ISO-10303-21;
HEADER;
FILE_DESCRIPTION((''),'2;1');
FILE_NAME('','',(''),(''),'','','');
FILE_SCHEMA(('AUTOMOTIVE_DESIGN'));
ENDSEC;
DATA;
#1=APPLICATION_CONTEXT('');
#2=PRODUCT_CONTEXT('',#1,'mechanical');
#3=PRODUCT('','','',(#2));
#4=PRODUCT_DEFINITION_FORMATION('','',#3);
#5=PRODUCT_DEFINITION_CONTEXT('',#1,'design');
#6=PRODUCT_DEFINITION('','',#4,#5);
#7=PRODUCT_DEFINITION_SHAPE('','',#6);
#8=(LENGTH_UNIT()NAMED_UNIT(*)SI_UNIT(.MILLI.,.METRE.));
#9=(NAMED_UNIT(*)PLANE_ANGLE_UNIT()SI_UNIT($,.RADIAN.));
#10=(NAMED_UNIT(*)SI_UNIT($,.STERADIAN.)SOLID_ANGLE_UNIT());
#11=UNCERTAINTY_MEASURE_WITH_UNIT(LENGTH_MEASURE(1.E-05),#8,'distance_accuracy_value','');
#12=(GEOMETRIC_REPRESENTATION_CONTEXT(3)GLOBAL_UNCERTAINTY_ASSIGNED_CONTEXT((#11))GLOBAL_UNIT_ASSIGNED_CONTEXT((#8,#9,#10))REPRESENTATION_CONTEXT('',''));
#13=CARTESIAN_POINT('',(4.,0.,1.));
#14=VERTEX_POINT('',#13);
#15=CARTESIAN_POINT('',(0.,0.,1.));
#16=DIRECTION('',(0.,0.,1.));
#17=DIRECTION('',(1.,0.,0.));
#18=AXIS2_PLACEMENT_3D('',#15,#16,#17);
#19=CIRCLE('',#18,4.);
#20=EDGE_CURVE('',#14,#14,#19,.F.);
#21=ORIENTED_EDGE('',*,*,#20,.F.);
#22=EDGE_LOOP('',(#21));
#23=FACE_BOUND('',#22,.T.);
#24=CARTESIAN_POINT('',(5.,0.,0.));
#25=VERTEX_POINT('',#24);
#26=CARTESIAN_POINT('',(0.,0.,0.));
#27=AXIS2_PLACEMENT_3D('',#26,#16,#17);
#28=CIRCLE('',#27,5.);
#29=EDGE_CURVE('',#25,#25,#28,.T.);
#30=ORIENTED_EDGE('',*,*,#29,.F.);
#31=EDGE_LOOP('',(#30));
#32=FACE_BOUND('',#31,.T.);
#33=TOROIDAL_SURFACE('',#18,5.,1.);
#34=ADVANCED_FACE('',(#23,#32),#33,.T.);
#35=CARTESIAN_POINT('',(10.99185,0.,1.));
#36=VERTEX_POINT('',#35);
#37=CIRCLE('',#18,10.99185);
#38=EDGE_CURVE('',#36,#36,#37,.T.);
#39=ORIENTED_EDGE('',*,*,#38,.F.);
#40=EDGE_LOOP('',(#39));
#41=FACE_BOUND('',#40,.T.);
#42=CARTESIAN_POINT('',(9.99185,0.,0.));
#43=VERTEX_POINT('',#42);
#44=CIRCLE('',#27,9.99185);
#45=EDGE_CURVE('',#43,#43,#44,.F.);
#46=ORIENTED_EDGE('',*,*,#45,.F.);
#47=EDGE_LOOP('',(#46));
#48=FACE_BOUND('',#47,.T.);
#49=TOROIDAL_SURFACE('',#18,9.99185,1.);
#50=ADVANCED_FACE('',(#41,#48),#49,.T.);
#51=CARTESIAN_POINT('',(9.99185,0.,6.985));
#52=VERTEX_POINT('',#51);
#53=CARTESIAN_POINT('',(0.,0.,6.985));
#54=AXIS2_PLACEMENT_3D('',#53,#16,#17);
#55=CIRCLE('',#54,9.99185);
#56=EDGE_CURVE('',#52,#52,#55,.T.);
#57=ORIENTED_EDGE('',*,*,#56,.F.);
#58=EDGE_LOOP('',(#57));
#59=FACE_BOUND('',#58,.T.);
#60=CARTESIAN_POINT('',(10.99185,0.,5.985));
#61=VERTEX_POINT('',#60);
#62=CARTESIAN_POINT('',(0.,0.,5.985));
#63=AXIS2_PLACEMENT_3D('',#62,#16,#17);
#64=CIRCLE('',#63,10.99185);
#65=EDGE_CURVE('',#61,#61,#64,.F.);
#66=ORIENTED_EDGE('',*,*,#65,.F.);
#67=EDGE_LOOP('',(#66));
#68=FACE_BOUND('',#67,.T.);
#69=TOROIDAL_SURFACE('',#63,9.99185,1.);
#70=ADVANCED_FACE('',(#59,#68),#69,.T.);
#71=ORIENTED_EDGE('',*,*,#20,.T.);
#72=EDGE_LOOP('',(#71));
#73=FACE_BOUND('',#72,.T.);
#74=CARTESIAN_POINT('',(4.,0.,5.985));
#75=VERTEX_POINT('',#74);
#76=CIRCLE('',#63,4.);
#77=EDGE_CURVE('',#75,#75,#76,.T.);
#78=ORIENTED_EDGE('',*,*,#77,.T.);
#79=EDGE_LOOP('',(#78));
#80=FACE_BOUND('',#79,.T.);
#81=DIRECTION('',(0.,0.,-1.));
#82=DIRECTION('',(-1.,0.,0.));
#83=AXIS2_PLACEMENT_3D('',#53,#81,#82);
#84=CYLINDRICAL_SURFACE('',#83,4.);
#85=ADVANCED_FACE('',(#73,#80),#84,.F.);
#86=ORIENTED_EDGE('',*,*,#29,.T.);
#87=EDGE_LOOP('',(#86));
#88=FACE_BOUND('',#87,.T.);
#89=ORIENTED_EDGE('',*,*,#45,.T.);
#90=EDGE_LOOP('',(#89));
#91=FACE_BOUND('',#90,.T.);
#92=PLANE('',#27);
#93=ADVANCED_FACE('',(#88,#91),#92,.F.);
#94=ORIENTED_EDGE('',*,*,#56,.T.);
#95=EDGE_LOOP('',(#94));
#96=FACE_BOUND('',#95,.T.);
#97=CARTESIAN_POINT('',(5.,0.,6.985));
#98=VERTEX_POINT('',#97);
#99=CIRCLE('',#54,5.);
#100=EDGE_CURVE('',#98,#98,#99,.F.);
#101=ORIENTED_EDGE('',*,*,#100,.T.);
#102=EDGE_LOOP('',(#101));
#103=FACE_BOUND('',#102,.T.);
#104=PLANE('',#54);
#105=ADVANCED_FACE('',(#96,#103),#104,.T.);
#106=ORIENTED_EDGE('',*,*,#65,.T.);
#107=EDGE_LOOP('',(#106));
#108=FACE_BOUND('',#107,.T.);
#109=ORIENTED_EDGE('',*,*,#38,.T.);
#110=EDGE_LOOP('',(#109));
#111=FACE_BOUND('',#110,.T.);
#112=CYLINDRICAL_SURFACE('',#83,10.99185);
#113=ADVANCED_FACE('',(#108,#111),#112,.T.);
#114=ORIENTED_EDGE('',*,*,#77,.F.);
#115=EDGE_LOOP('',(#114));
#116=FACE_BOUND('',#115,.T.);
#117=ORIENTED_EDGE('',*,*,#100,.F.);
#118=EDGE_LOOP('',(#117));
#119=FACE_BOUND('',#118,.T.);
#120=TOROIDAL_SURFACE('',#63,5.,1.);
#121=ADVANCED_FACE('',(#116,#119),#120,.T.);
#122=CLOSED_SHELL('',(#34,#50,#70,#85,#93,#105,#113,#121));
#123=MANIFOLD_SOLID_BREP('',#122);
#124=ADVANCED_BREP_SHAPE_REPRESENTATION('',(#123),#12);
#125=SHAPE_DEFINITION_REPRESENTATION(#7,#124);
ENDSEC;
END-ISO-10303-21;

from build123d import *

# Parameters (mm, degrees)
SKETCH1_R           = 10.99185
SKETCH1_R_2         = 4
BOSS_EXTRUDE1_DEPTH = 6.985
FILLET2_R           = 1


with BuildPart() as part:
    # Sketch1 → Boss-Extrude1 (new body)
    with BuildSketch(Plane.XY):
        Circle(SKETCH1_R)
        Circle(SKETCH1_R_2, mode=Mode.SUBTRACT)
    extrude(amount=BOSS_EXTRUDE1_DEPTH)

    # Fillet2
    fillet2_edges = [part.edges().sort_by_distance(p)[0] for p in [
        (-10.99185, 0, 0),
        (-10.99185, 0, 6.985),
        (-4, 0, 0),
        (-4, 0, 6.985),
    ]]
    fillet(fillet2_edges, radius=FILLET2_R)


solid = part.part
